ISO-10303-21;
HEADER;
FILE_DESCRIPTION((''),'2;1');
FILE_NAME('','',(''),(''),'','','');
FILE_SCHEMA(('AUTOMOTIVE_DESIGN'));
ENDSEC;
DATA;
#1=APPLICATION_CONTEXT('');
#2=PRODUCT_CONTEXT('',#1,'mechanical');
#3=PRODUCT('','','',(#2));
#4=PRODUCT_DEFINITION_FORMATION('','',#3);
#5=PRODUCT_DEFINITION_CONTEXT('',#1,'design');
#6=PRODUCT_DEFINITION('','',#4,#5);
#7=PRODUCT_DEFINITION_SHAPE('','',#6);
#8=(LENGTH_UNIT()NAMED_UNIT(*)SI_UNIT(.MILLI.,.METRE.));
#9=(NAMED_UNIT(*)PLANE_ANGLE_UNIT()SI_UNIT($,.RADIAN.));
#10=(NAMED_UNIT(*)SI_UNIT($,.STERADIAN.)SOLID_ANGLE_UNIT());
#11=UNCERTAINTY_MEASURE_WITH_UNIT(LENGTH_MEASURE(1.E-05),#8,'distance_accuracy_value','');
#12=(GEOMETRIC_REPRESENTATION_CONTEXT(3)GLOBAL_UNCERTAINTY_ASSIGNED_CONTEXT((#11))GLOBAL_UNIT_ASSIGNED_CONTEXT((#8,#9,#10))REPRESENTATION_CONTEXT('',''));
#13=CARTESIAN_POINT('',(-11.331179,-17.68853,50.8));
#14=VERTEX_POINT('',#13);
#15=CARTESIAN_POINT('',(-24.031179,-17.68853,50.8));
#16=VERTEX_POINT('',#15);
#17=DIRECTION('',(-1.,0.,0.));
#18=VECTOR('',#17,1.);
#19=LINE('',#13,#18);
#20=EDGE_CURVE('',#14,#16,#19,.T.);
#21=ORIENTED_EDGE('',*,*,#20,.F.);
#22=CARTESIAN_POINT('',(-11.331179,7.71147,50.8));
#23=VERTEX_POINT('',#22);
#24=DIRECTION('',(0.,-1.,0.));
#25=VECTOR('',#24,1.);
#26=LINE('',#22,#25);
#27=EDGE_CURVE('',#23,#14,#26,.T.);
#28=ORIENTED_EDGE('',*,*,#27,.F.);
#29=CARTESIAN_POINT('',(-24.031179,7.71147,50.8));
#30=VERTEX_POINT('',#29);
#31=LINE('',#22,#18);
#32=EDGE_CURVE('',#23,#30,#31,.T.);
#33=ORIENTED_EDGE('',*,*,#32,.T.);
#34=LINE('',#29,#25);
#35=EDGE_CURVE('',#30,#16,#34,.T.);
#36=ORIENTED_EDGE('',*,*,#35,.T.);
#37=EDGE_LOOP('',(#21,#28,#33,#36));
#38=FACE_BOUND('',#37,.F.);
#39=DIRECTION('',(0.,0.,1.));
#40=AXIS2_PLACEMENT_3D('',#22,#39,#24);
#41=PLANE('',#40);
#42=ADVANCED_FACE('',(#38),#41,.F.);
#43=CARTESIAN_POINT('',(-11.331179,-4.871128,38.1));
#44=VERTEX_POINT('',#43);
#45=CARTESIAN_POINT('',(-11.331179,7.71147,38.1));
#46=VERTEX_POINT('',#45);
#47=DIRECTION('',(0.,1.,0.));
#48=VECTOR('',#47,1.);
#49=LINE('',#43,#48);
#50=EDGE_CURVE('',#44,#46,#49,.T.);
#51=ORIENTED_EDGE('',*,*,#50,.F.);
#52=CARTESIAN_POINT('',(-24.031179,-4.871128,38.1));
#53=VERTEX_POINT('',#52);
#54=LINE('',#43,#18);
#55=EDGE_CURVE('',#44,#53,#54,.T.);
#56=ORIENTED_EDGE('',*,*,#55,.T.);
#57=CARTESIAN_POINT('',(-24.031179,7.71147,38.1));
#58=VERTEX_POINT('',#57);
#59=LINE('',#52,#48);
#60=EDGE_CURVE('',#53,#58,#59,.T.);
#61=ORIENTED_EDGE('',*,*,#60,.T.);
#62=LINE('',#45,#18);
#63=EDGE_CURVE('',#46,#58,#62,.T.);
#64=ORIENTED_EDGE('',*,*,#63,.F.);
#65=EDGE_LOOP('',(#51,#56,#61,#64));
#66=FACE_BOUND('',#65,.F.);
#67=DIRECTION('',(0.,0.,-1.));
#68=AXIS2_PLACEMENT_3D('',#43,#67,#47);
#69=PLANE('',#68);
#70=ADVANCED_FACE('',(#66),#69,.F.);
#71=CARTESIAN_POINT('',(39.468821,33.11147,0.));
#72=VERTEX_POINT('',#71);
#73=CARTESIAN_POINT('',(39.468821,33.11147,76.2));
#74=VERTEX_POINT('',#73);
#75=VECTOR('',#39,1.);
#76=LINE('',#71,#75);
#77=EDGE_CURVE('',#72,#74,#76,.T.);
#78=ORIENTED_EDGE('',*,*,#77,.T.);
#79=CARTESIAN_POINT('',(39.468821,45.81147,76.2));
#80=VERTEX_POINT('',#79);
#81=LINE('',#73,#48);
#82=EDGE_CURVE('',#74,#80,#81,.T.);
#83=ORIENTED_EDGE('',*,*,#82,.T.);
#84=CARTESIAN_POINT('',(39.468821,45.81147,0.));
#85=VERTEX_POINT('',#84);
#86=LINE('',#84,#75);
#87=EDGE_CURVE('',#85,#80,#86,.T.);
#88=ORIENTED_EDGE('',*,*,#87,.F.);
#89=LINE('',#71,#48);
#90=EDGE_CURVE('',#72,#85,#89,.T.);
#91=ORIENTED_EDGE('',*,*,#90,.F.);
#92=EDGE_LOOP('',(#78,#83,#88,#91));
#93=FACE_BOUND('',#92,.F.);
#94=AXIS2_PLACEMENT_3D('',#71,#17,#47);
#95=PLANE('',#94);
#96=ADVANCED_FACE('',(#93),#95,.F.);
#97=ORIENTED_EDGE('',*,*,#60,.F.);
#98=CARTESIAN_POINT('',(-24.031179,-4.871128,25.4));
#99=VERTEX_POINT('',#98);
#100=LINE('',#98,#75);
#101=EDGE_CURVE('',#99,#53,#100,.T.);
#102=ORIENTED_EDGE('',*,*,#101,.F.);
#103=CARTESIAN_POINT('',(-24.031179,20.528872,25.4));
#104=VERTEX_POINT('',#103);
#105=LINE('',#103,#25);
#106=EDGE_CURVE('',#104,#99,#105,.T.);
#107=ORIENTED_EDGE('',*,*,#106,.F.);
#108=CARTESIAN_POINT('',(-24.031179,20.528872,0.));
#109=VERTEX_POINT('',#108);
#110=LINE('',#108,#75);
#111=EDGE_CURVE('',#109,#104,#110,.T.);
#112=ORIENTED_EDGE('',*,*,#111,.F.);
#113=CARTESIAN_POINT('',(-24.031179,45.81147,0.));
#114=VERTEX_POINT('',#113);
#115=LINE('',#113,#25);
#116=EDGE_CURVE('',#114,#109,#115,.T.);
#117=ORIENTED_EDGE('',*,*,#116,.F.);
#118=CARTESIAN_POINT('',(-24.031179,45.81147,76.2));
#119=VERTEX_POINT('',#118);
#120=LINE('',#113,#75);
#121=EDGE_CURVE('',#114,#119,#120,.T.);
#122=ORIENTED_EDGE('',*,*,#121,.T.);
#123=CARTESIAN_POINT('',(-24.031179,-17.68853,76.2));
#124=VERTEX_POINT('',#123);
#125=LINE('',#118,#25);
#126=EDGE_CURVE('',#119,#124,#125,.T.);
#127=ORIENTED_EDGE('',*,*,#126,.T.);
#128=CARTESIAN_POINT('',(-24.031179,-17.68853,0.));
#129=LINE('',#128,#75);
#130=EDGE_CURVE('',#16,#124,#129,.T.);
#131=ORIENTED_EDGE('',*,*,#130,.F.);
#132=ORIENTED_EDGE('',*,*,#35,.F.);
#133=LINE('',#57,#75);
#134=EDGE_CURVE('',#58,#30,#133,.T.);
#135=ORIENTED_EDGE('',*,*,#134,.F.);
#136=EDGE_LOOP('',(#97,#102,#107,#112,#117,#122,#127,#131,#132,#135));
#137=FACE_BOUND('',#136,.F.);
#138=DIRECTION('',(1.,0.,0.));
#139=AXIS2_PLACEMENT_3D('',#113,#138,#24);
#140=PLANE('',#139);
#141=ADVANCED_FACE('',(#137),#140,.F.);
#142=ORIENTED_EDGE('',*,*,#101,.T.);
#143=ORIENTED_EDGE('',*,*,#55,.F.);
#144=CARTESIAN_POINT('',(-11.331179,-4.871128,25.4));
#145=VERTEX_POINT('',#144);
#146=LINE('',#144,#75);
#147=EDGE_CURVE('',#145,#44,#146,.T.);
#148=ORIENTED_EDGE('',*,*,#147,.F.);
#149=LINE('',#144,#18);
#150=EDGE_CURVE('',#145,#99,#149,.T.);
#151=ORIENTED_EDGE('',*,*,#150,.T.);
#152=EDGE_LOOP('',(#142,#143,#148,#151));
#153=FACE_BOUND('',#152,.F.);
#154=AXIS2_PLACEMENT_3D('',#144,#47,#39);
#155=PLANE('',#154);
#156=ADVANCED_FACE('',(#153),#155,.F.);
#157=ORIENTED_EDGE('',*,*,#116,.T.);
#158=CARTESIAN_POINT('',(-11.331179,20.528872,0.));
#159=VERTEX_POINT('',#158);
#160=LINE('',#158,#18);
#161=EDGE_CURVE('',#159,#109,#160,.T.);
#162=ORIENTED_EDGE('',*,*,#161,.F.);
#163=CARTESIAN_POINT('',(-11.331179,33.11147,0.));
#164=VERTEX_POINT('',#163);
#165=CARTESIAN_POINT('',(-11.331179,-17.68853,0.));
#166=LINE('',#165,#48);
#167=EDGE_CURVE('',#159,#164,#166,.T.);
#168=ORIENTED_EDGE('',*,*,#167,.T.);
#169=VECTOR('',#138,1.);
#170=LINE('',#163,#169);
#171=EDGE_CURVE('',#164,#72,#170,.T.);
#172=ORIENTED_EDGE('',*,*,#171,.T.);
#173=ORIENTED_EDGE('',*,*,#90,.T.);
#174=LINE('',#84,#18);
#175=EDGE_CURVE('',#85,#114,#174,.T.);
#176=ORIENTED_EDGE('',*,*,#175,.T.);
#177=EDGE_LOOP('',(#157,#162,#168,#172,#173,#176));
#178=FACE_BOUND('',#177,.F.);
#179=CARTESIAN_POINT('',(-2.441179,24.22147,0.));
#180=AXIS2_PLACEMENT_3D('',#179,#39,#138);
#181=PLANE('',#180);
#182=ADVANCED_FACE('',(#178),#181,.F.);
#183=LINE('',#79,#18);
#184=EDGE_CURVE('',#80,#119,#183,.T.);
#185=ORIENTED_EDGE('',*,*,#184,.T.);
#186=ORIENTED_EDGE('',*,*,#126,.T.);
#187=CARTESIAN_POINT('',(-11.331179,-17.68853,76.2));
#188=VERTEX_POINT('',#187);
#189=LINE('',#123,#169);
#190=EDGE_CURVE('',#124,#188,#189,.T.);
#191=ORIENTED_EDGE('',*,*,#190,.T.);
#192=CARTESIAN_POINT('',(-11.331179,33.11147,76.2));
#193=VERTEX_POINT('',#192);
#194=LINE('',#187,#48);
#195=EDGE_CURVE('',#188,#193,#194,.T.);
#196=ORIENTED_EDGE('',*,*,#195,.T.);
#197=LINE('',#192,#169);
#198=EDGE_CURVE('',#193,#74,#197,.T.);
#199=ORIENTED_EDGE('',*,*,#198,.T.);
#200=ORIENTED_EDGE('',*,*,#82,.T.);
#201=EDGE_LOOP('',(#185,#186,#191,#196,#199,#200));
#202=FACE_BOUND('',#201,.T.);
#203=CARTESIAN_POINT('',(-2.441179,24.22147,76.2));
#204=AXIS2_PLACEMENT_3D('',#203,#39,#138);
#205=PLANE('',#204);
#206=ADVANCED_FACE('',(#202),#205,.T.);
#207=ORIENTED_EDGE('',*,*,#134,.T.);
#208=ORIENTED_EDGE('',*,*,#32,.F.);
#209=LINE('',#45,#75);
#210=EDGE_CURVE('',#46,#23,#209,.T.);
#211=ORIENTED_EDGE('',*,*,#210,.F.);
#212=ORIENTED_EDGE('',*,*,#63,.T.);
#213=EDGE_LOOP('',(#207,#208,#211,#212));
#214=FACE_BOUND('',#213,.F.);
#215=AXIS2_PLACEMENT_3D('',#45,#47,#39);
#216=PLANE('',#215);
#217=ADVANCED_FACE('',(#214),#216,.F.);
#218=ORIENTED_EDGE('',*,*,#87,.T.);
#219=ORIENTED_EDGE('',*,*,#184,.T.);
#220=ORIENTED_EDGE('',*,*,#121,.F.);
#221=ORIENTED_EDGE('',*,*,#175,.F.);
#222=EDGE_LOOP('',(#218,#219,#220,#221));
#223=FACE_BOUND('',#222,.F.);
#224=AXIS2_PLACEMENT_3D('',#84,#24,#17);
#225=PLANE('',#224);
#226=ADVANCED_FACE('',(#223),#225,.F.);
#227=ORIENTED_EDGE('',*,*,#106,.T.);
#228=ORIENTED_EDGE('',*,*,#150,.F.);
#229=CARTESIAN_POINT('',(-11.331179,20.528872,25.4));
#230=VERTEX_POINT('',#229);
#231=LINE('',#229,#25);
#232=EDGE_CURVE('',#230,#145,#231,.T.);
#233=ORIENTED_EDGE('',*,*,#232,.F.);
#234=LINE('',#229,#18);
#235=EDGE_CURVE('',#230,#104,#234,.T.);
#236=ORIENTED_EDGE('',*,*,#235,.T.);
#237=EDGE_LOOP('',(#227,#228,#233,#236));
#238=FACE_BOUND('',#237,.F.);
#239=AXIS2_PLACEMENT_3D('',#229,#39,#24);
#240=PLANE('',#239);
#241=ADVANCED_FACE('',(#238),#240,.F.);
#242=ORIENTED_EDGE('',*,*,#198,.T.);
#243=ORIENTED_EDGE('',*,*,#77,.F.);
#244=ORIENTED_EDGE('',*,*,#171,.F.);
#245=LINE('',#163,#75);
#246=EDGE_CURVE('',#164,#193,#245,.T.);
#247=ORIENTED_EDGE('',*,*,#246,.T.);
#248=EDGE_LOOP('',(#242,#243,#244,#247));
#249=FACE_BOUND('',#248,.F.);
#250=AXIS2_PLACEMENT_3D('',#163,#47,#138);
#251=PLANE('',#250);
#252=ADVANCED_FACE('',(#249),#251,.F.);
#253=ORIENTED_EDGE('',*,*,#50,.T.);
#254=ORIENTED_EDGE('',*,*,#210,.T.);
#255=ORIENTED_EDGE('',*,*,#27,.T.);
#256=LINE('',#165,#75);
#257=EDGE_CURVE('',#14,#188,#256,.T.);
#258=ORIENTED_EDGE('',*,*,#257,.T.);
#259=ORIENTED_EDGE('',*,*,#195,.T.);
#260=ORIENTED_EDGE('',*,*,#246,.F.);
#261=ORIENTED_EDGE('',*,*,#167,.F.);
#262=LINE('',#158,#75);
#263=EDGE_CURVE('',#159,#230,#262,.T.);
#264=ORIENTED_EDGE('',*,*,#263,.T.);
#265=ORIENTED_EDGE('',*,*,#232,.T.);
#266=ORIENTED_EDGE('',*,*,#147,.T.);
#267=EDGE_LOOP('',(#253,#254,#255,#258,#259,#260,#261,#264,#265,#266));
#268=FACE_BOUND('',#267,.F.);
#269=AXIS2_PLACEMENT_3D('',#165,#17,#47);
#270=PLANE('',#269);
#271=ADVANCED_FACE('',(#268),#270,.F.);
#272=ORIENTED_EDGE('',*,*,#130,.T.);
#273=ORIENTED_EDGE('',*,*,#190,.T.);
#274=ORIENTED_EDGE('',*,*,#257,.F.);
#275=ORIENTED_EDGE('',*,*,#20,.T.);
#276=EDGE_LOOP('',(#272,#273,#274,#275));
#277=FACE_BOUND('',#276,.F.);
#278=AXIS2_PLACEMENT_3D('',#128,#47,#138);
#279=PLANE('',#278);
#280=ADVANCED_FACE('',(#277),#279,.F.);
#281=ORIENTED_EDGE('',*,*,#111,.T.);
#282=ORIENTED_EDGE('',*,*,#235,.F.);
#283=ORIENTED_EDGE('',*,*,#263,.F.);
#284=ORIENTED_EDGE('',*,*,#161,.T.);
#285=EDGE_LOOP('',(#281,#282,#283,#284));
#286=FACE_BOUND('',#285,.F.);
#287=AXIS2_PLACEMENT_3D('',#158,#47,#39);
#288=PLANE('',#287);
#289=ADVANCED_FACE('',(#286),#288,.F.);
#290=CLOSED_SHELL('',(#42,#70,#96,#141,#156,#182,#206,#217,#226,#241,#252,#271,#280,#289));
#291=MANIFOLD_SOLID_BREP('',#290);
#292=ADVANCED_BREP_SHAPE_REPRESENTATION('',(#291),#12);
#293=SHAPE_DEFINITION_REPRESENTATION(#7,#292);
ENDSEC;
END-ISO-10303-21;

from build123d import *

# Parameters (mm, degrees)
F1_DEPTH = 76.2
F3_DEPTH = 12.7


with BuildPart() as f1:
    # F0 (on Top) → F1 (new body)
    with BuildSketch(Plane.XY):
        Polygon((-11.331179, 33.11147), (39.468821, 33.11147), (39.468821, 45.81147), (-24.031179, 45.81147), (-24.031179, -17.68853), (-11.331179, -17.68853), align=None)
    extrude(amount=F1_DEPTH)

    # F2 (on face) → F3 (cut)
    with BuildSketch(Plane.YZ.offset(-11.331179)):
        Polygon((-17.68853, 50.8), (-17.68853, 0), (20.528872, 0), (20.528872, 25.4), (-4.871128, 25.4), (-4.871128, 38.1), (7.71147, 38.1), (7.71147, 50.8), align=None)
    extrude(amount=-F3_DEPTH, mode=Mode.SUBTRACT)


solid = f1.part
